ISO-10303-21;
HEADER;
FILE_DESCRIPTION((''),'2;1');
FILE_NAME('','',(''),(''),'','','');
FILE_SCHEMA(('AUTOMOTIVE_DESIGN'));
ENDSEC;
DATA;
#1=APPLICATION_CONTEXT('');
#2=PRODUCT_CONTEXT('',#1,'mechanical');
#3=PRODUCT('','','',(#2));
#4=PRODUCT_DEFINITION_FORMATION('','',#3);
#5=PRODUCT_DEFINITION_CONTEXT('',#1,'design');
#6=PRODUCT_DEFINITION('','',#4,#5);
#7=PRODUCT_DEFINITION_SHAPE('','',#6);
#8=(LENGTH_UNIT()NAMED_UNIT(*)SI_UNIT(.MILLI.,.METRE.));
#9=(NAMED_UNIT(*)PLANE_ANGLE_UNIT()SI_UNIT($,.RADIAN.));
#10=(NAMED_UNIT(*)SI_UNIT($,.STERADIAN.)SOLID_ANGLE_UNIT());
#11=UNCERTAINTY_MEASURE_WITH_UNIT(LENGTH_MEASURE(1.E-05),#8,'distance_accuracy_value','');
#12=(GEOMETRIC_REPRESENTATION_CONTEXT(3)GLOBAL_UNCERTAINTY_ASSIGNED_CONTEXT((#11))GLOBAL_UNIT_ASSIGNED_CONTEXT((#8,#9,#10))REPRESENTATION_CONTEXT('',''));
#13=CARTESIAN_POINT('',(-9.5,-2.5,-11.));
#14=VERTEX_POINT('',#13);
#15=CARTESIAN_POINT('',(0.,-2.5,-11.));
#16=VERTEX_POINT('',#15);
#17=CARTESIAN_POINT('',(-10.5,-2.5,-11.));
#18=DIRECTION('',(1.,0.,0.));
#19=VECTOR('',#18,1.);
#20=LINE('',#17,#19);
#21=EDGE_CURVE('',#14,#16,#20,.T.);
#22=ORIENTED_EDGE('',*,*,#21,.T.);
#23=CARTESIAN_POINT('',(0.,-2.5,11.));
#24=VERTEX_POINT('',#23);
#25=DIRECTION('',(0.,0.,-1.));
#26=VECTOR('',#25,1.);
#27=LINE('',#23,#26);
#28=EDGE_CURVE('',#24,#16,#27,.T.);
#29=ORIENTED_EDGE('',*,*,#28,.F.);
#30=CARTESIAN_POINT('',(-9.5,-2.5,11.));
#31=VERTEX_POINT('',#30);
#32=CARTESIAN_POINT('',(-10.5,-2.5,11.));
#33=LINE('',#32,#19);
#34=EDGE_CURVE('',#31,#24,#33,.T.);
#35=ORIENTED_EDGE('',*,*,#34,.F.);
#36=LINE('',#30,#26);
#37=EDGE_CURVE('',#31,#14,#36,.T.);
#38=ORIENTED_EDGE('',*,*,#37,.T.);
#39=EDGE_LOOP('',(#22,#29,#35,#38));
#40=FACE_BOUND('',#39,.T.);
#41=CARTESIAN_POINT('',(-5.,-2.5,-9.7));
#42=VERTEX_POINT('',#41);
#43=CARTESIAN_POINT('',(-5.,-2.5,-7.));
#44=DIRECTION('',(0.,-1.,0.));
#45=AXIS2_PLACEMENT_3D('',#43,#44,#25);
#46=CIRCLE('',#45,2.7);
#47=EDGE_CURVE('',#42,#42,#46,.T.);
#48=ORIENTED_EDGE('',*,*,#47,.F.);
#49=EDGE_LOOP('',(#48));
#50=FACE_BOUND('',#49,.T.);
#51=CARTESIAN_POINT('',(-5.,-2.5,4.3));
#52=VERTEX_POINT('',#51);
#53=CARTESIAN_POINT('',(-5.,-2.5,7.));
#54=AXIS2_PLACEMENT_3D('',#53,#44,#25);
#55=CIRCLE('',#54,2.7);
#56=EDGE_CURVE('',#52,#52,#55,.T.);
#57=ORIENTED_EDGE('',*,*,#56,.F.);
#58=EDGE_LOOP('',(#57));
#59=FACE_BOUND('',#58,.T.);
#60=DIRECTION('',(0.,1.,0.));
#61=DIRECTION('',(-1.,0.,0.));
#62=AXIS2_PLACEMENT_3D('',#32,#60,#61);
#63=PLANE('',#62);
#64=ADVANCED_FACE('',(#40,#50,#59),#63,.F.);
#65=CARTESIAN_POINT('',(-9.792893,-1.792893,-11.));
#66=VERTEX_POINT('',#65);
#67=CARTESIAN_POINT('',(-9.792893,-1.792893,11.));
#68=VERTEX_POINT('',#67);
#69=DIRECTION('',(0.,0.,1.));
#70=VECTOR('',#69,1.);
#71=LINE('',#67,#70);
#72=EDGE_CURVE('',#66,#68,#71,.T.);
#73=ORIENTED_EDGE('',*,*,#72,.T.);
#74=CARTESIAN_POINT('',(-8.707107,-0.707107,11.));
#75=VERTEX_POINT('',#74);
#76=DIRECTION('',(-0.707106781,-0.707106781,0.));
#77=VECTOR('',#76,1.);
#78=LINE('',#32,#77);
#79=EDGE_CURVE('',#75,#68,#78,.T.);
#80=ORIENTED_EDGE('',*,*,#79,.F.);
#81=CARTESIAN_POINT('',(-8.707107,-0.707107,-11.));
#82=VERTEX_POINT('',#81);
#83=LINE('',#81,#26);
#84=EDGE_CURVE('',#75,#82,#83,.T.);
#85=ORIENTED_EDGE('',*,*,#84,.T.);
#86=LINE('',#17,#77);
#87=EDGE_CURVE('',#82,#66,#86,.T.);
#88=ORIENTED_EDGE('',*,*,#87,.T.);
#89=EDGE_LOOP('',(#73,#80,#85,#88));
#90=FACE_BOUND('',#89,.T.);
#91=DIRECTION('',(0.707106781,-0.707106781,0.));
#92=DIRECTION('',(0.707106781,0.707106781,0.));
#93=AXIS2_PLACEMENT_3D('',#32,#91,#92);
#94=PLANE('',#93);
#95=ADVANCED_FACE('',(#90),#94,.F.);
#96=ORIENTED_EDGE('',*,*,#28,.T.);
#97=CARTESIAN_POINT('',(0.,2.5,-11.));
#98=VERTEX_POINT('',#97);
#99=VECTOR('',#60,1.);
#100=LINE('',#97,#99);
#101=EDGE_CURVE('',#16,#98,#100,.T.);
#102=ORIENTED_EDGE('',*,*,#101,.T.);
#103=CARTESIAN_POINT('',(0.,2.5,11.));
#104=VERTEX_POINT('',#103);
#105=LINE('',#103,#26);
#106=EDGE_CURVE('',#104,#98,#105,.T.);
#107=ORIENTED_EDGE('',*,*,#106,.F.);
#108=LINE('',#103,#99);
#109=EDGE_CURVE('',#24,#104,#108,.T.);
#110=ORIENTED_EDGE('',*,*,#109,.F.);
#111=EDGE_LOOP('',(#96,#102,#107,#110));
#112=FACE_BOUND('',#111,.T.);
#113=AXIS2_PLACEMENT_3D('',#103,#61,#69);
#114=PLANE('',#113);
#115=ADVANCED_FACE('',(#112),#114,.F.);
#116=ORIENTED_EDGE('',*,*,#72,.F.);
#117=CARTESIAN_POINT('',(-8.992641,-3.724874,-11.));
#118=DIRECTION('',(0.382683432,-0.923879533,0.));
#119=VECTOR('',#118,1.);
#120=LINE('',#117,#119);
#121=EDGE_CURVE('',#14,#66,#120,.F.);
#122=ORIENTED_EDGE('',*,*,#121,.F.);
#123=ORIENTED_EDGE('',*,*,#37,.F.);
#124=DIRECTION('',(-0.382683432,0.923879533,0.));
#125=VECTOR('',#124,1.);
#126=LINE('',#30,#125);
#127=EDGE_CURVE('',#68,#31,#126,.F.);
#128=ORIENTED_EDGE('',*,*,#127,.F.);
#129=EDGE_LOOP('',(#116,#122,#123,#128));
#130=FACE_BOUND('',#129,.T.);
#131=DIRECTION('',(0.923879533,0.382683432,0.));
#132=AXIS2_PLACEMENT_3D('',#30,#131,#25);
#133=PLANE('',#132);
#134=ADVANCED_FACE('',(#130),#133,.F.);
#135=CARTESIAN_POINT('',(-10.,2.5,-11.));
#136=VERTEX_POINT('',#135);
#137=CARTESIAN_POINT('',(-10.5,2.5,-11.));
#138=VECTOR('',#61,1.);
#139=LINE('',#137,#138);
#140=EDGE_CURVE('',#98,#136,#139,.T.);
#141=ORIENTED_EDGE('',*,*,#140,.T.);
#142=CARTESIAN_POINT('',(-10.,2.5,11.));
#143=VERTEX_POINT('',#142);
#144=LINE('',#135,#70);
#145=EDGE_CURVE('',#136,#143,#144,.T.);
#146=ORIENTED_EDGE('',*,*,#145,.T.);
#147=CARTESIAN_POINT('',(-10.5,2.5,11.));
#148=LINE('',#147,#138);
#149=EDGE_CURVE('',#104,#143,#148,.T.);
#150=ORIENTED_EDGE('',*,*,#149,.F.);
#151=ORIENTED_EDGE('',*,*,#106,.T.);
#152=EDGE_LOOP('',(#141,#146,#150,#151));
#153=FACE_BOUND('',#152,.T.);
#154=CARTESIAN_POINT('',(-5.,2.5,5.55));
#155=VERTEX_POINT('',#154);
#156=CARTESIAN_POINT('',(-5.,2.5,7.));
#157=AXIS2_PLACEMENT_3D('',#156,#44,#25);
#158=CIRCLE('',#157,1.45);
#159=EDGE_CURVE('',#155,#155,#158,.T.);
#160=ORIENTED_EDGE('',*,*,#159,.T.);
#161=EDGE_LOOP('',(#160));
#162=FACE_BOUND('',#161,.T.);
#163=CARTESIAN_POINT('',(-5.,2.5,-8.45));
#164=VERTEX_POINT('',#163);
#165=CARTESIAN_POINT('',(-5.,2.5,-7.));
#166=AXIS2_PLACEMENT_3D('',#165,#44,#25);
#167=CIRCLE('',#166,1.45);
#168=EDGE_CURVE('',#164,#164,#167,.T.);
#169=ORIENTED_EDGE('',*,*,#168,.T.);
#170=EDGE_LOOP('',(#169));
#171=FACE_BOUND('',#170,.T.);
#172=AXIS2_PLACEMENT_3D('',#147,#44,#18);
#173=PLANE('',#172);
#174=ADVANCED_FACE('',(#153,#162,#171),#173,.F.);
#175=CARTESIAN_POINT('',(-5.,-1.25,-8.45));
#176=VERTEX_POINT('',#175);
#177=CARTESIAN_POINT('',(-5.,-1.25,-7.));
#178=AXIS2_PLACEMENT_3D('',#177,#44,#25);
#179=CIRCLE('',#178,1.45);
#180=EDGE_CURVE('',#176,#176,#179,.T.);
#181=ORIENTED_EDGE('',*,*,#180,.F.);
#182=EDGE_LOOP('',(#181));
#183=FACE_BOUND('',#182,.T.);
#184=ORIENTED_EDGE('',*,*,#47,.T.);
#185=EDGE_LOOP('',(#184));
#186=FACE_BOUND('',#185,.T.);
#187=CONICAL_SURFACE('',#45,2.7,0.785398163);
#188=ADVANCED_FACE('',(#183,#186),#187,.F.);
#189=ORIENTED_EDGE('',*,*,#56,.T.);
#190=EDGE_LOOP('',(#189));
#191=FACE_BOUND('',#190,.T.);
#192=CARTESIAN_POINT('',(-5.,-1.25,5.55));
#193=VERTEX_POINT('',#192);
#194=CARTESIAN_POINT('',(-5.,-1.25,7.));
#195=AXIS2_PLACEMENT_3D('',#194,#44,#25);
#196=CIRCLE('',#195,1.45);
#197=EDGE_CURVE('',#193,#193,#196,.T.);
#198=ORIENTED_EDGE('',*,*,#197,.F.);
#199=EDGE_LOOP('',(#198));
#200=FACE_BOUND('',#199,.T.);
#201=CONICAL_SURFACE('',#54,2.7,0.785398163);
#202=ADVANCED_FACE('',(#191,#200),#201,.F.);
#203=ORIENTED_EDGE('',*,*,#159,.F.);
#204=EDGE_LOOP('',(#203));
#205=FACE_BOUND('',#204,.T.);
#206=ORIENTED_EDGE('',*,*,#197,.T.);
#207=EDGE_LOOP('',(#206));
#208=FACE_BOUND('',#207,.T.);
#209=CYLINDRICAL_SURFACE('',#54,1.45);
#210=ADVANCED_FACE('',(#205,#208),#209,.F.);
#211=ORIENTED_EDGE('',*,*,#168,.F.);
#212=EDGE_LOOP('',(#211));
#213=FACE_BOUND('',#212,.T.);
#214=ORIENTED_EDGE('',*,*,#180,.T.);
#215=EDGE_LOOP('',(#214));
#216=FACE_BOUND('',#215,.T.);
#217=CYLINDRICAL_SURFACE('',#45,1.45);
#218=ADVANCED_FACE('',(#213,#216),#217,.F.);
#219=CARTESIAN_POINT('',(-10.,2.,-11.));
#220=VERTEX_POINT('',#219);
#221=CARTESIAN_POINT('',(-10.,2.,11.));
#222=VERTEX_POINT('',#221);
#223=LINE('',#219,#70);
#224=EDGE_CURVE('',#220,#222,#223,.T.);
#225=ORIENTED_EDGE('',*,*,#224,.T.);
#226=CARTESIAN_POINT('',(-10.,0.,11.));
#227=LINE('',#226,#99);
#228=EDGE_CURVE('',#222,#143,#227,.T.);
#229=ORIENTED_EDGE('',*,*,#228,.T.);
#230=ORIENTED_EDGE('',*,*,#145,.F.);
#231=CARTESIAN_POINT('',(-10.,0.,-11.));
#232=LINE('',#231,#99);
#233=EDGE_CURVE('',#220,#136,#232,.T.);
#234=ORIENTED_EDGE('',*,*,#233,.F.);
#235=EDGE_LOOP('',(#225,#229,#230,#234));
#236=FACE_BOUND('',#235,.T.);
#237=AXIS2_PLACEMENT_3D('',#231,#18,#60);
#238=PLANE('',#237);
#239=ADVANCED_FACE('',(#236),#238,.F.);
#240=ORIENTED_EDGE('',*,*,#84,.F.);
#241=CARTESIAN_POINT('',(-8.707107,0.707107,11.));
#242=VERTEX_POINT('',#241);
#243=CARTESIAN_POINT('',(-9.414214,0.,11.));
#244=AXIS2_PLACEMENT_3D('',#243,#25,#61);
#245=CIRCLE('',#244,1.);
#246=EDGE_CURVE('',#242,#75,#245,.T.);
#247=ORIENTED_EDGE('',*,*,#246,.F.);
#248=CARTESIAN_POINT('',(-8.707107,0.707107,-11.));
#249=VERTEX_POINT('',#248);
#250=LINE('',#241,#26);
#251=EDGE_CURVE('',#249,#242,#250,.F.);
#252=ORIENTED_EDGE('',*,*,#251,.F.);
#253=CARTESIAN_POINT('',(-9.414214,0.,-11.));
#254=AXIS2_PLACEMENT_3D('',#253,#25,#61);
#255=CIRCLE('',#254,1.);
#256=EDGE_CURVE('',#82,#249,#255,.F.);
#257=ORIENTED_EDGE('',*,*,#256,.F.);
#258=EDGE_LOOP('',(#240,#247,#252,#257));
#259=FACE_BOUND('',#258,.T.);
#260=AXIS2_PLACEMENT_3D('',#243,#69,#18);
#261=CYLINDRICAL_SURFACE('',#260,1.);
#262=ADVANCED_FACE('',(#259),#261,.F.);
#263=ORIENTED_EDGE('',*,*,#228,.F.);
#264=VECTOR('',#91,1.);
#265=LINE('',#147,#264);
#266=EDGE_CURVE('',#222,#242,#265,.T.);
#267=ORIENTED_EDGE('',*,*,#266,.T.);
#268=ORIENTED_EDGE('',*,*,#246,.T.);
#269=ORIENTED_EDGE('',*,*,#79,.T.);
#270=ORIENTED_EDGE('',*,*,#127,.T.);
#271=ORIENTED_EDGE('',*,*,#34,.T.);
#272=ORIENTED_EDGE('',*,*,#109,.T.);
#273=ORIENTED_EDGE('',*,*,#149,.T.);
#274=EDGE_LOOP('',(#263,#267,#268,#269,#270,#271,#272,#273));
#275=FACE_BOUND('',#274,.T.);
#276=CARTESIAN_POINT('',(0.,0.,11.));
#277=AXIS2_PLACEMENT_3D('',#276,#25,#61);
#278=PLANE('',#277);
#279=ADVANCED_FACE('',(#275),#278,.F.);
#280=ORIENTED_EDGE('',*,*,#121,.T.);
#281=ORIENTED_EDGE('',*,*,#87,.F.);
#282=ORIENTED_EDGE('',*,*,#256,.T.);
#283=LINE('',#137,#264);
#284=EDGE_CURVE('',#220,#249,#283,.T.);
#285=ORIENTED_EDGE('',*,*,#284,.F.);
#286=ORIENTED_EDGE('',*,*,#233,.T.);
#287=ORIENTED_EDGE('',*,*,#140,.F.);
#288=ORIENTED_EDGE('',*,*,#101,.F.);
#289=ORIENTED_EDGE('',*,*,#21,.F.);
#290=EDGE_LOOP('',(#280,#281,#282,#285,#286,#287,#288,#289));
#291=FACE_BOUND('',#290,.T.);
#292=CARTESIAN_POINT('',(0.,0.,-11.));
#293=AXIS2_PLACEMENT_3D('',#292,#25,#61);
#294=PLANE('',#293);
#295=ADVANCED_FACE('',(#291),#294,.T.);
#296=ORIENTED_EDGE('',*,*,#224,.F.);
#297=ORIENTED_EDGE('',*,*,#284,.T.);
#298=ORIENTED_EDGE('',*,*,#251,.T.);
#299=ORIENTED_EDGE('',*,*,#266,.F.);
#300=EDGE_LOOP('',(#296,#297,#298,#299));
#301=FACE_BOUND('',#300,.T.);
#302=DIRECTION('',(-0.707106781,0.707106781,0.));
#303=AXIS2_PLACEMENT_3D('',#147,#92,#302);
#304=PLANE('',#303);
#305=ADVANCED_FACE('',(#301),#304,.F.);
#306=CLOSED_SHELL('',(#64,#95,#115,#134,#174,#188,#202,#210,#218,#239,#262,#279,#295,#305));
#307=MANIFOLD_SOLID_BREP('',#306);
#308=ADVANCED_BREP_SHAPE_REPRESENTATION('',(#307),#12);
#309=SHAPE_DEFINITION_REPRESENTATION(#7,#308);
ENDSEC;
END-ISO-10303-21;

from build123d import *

# Parameters (mm, degrees)
BOSS_EXTRUDE1_DEPTH                                 = 11
FILLET1_R                                           = 1
CHAMFER1_SIZE                                       = 1
CUT_EXTRUDE1_DEPTH                                  = 25.50510151
CSK_FOR_M2_5_CROSS_RECESSED_RAISED_CTSK_D           = 2.9
CSK_FOR_M2_5_CROSS_RECESSED_RAISED_CTSK_CSINK_D     = 5.4
CSK_FOR_M2_5_CROSS_RECESSED_RAISED_CTSK_CSINK_ANGLE = 90


with BuildPart() as part:
    # Sketch1 → Boss-Extrude1 (new, symmetric)
    with BuildSketch(Plane.XY):
        Polygon((-10.5, 2.5), (-8, 0), (-10.5, -2.5), (0, -2.5), (0, 2.5), align=None)
    extrude(amount=BOSS_EXTRUDE1_DEPTH, both=True)

    # Fillet1
    fillet1_edges = [part.edges().sort_by_distance(p)[0] for p in [
        (-8, 0, 0),
    ]]
    fillet(fillet1_edges, radius=FILLET1_R)

    # Chamfer1
    chamfer1_edges = [part.edges().sort_by_distance(p)[0] for p in [
        (-10.5, -2.5, 0),
    ]]
    chamfer(chamfer1_edges, length=CHAMFER1_SIZE)

    # Sketch2 → Cut-Extrude1 (cut, through all)
    with BuildSketch(Plane.XY.offset(11)):
        Polygon((-10.5, 2.5), (-10, 2), (-10, 2.5), align=None)
    extrude(amount=-CUT_EXTRUDE1_DEPTH, mode=Mode.SUBTRACT)

    # CSK for M2.5 Cross recessed raised CTSK head wood screws1 (through all)
    with Locations(Plane(origin=(-5, -2.5, 7), x_dir=(-1, 0, 0), z_dir=(0, -1, 0))):
        with Locations((0, 0), (0, 14)):
            CounterSinkHole(CSK_FOR_M2_5_CROSS_RECESSED_RAISED_CTSK_D / 2, CSK_FOR_M2_5_CROSS_RECESSED_RAISED_CTSK_CSINK_D / 2, counter_sink_angle=CSK_FOR_M2_5_CROSS_RECESSED_RAISED_CTSK_CSINK_ANGLE)


solid = part.part
